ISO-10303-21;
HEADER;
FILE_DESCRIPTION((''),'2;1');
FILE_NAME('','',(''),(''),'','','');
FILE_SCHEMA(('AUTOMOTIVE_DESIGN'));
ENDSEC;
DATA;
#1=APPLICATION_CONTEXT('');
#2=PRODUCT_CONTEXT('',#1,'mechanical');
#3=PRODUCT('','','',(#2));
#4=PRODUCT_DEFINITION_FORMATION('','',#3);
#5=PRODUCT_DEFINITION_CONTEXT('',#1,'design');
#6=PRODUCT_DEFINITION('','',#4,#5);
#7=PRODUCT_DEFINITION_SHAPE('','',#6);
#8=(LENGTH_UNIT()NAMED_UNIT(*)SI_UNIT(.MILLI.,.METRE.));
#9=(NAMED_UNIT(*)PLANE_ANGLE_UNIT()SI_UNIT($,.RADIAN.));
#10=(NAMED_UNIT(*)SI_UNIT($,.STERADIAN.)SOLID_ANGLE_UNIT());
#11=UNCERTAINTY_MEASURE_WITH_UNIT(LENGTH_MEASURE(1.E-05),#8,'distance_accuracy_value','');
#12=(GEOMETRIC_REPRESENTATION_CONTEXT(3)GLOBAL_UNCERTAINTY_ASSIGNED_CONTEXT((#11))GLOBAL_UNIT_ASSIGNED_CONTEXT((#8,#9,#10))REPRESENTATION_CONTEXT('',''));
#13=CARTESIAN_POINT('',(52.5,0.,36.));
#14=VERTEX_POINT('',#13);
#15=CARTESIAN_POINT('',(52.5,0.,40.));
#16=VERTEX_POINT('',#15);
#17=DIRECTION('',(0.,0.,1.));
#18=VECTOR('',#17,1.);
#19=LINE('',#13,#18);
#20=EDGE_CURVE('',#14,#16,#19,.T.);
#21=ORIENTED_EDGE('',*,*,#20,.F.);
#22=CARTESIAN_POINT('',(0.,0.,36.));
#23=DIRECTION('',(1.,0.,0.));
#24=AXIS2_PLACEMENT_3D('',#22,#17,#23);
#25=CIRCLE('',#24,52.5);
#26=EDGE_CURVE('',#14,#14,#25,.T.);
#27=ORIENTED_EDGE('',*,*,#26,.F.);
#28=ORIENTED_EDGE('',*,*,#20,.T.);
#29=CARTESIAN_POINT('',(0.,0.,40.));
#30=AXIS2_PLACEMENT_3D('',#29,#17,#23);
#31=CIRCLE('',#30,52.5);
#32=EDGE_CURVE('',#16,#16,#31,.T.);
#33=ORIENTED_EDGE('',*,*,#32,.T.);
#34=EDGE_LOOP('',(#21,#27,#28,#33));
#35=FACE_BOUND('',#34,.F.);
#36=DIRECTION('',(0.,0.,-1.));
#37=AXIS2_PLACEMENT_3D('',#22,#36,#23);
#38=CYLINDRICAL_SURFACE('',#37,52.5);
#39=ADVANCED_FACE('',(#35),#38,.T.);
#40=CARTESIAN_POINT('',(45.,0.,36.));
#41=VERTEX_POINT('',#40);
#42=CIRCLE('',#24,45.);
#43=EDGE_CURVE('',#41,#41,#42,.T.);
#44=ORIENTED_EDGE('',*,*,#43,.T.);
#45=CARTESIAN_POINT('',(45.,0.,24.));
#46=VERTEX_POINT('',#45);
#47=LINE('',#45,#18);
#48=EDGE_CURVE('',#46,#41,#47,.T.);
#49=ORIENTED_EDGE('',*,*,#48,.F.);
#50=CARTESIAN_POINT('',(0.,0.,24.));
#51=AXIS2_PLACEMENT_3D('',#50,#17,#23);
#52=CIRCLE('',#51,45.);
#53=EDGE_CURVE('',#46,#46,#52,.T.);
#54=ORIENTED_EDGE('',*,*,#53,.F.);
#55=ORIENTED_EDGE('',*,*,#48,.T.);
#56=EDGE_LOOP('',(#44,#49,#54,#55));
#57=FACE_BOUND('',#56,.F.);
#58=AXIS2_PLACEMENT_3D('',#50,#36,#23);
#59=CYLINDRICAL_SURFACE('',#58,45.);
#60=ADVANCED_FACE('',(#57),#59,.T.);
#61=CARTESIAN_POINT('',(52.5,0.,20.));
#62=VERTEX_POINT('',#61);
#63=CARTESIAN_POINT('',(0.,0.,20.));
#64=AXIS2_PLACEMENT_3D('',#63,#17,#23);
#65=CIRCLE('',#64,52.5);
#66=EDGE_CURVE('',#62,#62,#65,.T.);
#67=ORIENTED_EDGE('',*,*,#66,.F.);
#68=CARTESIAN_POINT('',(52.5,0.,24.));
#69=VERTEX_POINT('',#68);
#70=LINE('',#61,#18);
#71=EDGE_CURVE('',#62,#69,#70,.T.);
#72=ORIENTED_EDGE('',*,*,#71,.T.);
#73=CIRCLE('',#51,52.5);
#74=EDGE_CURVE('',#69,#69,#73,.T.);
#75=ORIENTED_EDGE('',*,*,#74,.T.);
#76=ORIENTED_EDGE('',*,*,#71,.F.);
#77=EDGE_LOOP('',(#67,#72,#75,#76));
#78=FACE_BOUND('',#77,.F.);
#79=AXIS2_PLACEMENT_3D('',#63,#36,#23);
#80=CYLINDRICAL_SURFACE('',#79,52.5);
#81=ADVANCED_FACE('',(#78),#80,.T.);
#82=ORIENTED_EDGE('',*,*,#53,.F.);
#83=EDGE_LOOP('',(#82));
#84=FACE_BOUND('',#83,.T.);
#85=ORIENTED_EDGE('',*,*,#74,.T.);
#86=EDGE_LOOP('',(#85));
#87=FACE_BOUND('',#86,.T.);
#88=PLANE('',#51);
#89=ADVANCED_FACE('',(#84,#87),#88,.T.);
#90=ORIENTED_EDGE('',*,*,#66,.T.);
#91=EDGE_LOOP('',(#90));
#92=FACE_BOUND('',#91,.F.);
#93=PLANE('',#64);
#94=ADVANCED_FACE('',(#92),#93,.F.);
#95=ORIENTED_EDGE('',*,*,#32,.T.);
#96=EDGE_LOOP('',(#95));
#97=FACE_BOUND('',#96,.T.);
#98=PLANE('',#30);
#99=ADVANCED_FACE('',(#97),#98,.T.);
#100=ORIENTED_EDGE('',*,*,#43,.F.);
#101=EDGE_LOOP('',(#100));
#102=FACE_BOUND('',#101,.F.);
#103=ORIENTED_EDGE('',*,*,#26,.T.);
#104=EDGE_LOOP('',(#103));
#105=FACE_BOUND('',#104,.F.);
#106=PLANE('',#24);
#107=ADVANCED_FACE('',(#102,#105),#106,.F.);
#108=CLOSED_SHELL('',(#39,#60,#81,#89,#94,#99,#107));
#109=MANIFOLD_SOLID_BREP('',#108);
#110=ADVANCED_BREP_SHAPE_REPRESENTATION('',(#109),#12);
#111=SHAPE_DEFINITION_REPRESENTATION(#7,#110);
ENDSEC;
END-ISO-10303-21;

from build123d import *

# Parameters (mm, degrees)
F2_R     = 52.5
F3_DEPTH = 4
F5_R     = 45
F6_DEPTH = 12
F8_R     = 52.5
F9_DEPTH = 4


with BuildPart() as f3:
    # F2 (on Top) → F3 (new body)
    with BuildSketch(Plane.XY):
        Circle(F2_R)
    extrude(amount=F3_DEPTH)

    # F5 (on offset) → F6 (join)
    with BuildSketch(Plane.XY.offset(4)):
        Circle(F5_R)
    extrude(amount=F6_DEPTH)

    # F8 (on offset) → F9 (join)
    with BuildSketch(Plane.XY.offset(16)):
        Circle(F8_R)
    extrude(amount=F9_DEPTH)


with BuildPart() as f10_1:
    # F10: copy of F3
    add(f3.part.moved(Location((0, 0, 20))))


with BuildPart() as f12_1:
    # F12: copy of F3
    add(f3.part)


with BuildPart() as f3_1:
    # F14: moved
    add(f3.part.moved(Location((0, 0, 20))))


solid = f3_1.part
